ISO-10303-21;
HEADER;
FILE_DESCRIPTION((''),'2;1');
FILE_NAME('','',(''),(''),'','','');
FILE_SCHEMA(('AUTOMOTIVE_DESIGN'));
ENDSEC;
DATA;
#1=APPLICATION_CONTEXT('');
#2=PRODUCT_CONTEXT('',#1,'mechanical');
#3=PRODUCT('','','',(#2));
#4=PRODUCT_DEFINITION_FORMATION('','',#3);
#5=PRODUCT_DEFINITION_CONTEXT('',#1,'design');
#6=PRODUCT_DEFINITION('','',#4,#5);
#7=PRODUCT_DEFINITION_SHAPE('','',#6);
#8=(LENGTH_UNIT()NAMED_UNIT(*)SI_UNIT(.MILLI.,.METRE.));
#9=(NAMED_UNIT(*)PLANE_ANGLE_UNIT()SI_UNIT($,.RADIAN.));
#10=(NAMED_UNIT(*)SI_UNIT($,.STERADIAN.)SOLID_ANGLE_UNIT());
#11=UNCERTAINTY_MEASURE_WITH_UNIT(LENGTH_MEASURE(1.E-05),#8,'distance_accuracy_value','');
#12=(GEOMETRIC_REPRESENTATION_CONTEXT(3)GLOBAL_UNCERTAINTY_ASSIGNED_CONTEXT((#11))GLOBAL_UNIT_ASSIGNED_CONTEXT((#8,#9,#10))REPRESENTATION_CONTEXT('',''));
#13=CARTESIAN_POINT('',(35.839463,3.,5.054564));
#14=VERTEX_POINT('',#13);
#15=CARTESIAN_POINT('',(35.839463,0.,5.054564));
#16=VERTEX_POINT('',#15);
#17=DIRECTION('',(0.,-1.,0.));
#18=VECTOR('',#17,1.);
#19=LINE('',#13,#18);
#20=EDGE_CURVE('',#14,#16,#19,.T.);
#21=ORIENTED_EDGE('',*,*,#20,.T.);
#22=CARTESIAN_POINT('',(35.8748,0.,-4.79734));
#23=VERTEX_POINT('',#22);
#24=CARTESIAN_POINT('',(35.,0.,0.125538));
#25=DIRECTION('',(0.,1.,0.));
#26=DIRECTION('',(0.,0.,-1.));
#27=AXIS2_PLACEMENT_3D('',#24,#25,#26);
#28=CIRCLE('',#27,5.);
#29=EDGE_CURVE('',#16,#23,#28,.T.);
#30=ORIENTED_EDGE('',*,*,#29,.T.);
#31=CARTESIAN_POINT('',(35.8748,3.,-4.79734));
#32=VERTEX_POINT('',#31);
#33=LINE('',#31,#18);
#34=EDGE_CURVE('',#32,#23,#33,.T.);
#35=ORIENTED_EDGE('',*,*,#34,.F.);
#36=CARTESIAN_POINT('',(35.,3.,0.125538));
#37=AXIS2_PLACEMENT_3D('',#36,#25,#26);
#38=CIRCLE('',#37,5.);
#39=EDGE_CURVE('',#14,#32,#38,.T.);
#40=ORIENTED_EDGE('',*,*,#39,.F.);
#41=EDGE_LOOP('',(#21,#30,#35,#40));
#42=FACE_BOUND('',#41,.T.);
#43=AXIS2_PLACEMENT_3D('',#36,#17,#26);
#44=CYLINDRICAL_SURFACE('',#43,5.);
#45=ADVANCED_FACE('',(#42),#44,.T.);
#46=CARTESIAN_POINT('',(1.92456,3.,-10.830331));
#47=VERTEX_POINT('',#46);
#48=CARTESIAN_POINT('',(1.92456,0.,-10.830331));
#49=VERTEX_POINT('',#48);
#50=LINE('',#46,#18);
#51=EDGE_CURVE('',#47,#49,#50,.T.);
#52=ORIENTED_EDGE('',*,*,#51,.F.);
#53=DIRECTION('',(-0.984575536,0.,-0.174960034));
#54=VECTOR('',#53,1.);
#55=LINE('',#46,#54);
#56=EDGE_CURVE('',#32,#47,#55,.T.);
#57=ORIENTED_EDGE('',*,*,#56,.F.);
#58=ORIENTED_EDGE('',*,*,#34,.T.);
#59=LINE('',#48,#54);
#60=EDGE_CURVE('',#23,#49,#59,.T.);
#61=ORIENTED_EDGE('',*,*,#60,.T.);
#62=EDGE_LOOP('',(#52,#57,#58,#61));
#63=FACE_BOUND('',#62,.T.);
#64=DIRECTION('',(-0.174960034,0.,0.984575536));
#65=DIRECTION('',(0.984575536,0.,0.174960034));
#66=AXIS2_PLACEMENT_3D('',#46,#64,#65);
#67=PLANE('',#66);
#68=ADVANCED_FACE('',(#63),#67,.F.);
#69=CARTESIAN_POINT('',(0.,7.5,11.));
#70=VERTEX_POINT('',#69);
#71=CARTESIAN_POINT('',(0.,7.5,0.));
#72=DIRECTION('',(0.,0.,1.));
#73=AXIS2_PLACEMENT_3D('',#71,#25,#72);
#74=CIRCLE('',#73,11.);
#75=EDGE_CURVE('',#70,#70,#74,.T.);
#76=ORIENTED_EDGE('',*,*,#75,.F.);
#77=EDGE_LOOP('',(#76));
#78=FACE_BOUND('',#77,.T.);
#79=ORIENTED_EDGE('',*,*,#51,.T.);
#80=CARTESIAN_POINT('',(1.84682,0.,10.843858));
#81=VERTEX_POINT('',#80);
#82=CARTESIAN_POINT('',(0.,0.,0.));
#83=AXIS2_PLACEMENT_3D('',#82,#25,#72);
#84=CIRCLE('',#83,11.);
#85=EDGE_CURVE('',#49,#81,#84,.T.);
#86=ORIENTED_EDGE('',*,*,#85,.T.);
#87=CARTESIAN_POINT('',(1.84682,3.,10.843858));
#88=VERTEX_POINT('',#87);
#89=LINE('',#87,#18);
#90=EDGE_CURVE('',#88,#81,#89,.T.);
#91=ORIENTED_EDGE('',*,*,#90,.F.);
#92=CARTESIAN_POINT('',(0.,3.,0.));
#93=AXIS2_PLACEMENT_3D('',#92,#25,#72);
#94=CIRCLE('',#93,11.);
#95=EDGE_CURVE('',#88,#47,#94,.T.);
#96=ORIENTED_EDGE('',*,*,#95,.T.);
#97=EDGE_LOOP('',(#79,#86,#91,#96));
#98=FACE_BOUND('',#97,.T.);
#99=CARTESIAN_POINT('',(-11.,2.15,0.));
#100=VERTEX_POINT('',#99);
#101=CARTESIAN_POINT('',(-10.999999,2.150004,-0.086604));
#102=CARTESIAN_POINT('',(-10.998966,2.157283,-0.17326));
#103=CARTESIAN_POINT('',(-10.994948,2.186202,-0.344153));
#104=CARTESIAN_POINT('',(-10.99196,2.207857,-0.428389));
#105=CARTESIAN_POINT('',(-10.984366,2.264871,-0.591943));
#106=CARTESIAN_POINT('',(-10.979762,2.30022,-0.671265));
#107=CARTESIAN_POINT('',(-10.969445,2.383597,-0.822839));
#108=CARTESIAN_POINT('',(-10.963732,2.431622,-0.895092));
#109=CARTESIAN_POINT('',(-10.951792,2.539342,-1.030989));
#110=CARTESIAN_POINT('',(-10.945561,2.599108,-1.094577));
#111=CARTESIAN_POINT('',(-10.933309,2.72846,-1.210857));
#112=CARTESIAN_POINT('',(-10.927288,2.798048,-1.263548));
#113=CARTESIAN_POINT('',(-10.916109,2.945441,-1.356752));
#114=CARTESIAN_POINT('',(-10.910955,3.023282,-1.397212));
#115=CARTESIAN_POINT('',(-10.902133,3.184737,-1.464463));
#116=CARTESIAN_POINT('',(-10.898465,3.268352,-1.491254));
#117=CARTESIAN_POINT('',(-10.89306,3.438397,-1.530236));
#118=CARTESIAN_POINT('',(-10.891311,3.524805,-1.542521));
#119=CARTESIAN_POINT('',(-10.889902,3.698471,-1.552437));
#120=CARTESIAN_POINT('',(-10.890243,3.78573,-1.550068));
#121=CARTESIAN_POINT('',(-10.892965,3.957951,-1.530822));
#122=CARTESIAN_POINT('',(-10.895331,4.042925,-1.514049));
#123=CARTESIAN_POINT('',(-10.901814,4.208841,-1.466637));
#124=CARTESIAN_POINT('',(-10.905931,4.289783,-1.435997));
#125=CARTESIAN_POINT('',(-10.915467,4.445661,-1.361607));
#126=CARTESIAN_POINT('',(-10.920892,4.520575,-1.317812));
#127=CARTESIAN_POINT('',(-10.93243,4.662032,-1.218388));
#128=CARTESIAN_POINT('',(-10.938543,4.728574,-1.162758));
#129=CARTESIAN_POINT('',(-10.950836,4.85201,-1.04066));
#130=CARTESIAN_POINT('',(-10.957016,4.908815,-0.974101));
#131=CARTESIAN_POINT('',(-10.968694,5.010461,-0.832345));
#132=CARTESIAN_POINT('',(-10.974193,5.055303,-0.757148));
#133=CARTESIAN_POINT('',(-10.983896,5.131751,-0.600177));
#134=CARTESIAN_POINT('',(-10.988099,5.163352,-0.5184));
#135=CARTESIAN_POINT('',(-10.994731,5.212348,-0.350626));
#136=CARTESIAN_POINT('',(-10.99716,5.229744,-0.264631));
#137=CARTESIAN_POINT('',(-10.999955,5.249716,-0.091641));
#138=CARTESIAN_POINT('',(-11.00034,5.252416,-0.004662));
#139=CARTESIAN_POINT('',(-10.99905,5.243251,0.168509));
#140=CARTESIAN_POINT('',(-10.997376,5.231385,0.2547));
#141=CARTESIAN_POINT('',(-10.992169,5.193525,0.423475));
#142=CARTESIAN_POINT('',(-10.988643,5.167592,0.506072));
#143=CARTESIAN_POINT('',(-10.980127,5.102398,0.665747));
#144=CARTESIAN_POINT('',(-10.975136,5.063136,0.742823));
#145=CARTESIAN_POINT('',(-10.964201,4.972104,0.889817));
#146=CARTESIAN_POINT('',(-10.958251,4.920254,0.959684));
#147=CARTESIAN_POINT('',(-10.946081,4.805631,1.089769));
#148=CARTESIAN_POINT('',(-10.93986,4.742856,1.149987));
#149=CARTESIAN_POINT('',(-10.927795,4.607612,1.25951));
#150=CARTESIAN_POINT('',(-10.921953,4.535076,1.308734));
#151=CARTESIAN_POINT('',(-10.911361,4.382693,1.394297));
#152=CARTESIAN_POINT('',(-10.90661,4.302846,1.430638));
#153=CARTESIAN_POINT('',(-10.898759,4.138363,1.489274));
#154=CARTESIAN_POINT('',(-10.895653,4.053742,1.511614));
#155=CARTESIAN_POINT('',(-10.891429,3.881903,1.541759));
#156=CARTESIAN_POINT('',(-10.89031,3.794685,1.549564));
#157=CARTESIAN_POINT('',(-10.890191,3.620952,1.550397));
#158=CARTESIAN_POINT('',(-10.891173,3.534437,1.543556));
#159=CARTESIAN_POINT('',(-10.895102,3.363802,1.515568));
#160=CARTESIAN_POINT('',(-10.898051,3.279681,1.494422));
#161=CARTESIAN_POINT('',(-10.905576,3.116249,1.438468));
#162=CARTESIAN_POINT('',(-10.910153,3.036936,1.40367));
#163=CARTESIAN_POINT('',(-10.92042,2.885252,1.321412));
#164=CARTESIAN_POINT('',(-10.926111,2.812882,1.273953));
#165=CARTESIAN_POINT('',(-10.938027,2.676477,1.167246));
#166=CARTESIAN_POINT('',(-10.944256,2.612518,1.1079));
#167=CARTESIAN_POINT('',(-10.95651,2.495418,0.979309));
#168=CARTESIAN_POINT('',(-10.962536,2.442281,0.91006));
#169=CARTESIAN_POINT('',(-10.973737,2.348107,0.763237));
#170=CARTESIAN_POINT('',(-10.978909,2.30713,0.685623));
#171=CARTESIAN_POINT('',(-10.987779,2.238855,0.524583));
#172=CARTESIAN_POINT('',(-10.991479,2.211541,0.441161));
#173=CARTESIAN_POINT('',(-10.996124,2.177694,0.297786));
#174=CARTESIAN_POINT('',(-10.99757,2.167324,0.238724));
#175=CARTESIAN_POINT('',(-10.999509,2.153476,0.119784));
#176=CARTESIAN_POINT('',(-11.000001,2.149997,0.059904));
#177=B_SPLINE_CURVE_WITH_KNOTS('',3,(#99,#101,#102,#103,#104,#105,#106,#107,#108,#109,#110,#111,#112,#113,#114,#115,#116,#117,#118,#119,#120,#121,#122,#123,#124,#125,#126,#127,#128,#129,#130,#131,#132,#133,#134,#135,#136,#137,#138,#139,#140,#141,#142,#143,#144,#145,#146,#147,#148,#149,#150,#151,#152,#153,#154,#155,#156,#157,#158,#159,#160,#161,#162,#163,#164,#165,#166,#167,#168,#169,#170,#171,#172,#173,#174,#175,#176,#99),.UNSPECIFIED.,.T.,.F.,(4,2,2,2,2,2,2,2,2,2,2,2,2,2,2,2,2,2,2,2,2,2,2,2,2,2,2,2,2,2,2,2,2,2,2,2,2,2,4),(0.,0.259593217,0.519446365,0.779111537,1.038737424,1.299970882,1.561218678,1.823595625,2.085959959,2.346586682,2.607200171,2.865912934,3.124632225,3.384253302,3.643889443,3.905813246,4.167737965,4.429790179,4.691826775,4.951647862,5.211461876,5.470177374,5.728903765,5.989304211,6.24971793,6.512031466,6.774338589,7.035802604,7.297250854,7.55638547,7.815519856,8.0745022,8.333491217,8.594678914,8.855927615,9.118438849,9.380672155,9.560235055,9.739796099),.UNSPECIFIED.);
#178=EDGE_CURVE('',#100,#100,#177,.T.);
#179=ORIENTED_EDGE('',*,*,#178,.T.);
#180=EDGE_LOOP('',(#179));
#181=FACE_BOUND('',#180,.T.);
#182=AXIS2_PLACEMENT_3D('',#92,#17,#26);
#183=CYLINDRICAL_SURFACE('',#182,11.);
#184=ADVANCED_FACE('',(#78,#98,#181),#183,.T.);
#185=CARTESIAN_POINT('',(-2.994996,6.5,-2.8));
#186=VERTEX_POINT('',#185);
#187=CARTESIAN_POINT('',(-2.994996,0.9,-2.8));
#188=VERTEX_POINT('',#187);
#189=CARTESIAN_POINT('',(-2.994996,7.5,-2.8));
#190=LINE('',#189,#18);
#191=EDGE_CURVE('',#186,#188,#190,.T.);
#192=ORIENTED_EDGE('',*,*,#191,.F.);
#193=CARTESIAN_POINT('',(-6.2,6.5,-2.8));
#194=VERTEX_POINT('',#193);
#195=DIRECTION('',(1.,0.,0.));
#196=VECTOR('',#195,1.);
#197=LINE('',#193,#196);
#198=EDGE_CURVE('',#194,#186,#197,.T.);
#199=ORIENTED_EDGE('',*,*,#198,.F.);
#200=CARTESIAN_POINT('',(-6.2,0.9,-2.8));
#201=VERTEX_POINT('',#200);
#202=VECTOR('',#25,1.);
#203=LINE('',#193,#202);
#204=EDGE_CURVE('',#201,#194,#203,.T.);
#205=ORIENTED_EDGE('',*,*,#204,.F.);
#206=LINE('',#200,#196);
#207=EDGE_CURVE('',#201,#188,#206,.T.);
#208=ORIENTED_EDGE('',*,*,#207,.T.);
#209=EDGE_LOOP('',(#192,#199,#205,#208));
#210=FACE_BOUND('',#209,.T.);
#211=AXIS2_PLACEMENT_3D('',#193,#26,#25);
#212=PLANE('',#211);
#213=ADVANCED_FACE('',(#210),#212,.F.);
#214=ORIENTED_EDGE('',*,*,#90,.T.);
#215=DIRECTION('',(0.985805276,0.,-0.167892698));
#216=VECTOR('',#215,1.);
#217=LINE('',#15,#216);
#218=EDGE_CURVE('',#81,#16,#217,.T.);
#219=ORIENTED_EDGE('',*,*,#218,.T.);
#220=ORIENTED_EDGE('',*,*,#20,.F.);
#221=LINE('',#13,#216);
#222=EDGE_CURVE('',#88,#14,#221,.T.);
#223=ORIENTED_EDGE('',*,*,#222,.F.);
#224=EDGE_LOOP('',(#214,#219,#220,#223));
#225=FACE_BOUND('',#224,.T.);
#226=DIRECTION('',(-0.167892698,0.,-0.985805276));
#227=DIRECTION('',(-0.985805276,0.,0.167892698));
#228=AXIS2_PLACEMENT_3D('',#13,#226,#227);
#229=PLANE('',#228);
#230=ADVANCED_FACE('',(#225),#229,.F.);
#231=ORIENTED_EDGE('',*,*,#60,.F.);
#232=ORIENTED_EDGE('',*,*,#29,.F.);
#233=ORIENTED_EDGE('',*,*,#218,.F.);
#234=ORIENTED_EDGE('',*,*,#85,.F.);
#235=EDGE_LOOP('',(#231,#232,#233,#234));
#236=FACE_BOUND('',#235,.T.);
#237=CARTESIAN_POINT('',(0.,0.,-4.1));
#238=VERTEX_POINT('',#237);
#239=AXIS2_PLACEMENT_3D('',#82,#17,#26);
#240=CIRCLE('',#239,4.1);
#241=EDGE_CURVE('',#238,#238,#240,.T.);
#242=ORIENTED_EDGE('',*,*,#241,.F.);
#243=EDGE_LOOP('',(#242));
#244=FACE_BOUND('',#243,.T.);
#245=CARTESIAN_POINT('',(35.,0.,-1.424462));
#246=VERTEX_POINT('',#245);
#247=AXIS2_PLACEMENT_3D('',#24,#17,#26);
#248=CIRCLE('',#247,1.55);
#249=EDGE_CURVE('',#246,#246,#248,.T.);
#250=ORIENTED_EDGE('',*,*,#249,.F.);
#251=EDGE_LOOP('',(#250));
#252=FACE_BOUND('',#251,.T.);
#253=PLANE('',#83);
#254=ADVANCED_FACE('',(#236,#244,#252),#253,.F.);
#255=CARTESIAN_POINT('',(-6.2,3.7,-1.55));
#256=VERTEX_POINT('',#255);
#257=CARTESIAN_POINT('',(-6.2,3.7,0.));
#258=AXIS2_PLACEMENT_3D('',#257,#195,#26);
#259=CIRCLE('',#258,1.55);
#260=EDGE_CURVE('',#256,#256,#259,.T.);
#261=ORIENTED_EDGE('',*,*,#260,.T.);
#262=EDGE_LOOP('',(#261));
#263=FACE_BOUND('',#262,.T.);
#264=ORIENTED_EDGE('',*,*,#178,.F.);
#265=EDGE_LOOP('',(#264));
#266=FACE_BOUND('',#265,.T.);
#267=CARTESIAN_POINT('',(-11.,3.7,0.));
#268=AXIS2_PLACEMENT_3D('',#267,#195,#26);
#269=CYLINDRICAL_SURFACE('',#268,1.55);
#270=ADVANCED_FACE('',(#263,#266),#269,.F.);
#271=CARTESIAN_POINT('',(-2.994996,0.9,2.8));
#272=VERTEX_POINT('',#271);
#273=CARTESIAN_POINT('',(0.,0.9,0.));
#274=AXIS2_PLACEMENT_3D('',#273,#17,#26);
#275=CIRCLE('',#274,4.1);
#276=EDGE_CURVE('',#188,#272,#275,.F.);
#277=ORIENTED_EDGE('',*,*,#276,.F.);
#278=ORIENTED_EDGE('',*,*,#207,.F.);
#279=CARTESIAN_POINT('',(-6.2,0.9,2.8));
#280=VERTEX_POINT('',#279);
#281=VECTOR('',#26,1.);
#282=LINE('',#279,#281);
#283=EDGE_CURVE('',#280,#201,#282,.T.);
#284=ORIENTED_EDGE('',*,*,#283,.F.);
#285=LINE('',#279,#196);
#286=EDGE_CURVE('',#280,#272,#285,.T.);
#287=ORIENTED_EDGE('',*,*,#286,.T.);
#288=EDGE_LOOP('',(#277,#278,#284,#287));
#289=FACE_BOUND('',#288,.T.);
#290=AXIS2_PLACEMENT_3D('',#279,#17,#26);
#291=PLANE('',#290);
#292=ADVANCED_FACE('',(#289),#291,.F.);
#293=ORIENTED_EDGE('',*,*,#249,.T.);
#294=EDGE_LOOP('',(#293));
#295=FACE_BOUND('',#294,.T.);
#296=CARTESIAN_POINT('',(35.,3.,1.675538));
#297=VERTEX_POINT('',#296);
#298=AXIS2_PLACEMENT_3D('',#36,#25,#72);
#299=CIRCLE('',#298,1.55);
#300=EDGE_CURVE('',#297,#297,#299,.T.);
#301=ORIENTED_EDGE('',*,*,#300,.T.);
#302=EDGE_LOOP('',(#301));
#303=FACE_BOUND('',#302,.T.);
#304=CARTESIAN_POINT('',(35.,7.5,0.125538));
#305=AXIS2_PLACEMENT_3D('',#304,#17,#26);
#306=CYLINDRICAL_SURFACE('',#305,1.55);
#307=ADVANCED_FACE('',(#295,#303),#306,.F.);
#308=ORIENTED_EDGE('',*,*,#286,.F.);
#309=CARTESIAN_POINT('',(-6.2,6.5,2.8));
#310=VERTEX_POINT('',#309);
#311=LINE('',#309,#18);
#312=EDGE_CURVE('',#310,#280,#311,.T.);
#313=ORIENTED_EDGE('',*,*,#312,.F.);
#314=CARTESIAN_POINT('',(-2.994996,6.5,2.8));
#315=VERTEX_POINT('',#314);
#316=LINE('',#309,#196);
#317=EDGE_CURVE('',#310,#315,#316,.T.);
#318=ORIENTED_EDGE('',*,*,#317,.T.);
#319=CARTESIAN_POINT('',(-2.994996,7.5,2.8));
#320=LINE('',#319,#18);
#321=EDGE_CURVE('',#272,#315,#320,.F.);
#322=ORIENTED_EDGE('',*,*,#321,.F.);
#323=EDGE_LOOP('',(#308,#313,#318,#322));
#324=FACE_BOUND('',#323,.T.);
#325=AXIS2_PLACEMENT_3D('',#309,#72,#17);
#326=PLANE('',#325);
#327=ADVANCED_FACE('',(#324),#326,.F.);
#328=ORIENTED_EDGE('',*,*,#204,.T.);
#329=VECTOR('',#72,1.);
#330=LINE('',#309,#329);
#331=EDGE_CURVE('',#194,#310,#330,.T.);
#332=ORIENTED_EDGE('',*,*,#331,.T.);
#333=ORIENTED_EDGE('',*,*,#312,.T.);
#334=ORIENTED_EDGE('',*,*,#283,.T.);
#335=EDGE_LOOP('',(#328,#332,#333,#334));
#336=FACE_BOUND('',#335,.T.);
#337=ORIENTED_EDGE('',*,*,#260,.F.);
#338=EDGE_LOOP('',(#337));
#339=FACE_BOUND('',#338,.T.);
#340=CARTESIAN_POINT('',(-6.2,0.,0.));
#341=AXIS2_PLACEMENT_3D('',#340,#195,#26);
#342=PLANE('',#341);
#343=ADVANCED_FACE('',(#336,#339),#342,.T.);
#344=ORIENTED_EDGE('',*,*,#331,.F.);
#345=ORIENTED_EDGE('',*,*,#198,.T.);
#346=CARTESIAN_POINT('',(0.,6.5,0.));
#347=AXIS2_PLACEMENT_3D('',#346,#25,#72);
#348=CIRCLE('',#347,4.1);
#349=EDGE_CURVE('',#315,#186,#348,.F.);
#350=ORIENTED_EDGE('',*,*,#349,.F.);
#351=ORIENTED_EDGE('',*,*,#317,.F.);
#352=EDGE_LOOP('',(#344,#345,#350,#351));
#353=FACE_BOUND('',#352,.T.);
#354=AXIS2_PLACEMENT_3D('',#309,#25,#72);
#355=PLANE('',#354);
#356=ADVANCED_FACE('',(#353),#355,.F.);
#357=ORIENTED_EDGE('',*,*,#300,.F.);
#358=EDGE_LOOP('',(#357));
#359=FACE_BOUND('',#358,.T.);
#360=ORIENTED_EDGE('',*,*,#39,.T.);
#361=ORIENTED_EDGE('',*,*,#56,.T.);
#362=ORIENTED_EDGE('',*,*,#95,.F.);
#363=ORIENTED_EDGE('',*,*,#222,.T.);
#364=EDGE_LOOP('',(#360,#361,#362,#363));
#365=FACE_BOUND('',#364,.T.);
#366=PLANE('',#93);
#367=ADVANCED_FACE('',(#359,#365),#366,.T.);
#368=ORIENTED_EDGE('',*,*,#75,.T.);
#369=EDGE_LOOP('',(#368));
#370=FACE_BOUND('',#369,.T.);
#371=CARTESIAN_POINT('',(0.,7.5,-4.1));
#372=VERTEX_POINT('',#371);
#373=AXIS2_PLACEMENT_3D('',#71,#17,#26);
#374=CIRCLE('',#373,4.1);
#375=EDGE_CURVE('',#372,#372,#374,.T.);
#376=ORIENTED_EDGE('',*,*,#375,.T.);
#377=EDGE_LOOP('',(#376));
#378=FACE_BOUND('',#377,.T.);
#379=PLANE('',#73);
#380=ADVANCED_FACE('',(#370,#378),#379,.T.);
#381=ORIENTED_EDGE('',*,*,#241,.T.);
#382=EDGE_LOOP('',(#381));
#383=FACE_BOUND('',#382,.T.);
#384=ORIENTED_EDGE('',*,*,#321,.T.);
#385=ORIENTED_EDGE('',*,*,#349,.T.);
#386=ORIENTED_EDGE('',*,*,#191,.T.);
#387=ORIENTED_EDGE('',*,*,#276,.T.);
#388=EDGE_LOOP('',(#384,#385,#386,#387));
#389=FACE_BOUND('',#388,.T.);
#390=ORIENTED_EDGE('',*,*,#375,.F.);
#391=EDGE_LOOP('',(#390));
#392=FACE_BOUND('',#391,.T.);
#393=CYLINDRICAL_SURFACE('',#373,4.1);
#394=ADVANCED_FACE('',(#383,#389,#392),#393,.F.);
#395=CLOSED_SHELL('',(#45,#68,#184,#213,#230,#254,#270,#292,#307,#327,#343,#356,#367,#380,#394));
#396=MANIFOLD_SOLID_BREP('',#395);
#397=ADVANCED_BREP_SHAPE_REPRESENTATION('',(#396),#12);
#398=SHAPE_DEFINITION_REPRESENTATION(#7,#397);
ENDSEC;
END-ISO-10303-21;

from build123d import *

# Parameters (mm, degrees)
EXTRUDE_1_DEPTH       = 3
SKETCH_4_R            = 11
EXTRUDE_2_DEPTH       = 4.5
SKETCH_5_R            = 4.1
SKETCH_5_R_2          = 1.55
CUT_EXTRUDE_1_DEPTH   = 8.5
SKETCH_7_W            = 5.6
SKETCH_7_H            = 5.6
CUT_EXTRUDE_812_DEPTH = 2.1
SKETCH_8_R            = 1.55
CUT_EXTRUDE_M3_DEPTH  = 7.9


with BuildPart() as part:
    # 草图2 → 凸台-拉伸1 (new body)
    with BuildSketch(Plane(origin=(0, 0, 0), x_dir=(1, 0, 0), z_dir=(0, 1, 0))):
        with BuildLine():
            Line((1.924560376, 10.830330898), (35.874800171, 4.797340137))
            ThreePointArc((35.874800171, 4.797340137), (39.999967838, -0.143471364), (35.839463489, -5.054563924))
            Line((35.839463489, -5.054563924), (1.846819677, -10.843858035))
            ThreePointArc((1.846819677, -10.843858035), (-10.999929243, 0.039454403), (1.924560376, 10.830330898))
        make_face()
    extrude(amount=EXTRUDE_1_DEPTH)

    # 草图4 → 凸台-拉伸2 (add)
    with BuildSketch(Plane(origin=(0, 3, 0), x_dir=(1, 0, 0), z_dir=(0, 1, 0))):
        Circle(SKETCH_4_R)
    extrude(amount=EXTRUDE_2_DEPTH)

    # 草图5 → 切除-拉伸1 (cut, through all)
    with BuildSketch(Plane.XZ):
        Circle(SKETCH_5_R)
        with Locations((35, 0.125537544)):
            Circle(SKETCH_5_R_2)
    extrude(amount=-CUT_EXTRUDE_1_DEPTH, mode=Mode.SUBTRACT)

    # 草图7 → Cut-Extrude 812 (cut, symmetric)
    with BuildSketch(Plane(origin=(-4.1, 0, 0), x_dir=(0, 0, -1), z_dir=(1, 0, 0))):
        with Locations((0, 3.7)):
            Rectangle(SKETCH_7_W, SKETCH_7_H)
    extrude(amount=CUT_EXTRUDE_812_DEPTH, both=True, mode=Mode.SUBTRACT)

    # 草图8 → 切除-M3孔 (cut, through all)
    with BuildSketch(Plane(origin=(-4.1, 0, 0), x_dir=(0, 0, -1), z_dir=(1, 0, 0))):
        with Locations((0, 3.7)):
            Circle(SKETCH_8_R)
    extrude(amount=-CUT_EXTRUDE_M3_DEPTH, mode=Mode.SUBTRACT)


solid = part.part
